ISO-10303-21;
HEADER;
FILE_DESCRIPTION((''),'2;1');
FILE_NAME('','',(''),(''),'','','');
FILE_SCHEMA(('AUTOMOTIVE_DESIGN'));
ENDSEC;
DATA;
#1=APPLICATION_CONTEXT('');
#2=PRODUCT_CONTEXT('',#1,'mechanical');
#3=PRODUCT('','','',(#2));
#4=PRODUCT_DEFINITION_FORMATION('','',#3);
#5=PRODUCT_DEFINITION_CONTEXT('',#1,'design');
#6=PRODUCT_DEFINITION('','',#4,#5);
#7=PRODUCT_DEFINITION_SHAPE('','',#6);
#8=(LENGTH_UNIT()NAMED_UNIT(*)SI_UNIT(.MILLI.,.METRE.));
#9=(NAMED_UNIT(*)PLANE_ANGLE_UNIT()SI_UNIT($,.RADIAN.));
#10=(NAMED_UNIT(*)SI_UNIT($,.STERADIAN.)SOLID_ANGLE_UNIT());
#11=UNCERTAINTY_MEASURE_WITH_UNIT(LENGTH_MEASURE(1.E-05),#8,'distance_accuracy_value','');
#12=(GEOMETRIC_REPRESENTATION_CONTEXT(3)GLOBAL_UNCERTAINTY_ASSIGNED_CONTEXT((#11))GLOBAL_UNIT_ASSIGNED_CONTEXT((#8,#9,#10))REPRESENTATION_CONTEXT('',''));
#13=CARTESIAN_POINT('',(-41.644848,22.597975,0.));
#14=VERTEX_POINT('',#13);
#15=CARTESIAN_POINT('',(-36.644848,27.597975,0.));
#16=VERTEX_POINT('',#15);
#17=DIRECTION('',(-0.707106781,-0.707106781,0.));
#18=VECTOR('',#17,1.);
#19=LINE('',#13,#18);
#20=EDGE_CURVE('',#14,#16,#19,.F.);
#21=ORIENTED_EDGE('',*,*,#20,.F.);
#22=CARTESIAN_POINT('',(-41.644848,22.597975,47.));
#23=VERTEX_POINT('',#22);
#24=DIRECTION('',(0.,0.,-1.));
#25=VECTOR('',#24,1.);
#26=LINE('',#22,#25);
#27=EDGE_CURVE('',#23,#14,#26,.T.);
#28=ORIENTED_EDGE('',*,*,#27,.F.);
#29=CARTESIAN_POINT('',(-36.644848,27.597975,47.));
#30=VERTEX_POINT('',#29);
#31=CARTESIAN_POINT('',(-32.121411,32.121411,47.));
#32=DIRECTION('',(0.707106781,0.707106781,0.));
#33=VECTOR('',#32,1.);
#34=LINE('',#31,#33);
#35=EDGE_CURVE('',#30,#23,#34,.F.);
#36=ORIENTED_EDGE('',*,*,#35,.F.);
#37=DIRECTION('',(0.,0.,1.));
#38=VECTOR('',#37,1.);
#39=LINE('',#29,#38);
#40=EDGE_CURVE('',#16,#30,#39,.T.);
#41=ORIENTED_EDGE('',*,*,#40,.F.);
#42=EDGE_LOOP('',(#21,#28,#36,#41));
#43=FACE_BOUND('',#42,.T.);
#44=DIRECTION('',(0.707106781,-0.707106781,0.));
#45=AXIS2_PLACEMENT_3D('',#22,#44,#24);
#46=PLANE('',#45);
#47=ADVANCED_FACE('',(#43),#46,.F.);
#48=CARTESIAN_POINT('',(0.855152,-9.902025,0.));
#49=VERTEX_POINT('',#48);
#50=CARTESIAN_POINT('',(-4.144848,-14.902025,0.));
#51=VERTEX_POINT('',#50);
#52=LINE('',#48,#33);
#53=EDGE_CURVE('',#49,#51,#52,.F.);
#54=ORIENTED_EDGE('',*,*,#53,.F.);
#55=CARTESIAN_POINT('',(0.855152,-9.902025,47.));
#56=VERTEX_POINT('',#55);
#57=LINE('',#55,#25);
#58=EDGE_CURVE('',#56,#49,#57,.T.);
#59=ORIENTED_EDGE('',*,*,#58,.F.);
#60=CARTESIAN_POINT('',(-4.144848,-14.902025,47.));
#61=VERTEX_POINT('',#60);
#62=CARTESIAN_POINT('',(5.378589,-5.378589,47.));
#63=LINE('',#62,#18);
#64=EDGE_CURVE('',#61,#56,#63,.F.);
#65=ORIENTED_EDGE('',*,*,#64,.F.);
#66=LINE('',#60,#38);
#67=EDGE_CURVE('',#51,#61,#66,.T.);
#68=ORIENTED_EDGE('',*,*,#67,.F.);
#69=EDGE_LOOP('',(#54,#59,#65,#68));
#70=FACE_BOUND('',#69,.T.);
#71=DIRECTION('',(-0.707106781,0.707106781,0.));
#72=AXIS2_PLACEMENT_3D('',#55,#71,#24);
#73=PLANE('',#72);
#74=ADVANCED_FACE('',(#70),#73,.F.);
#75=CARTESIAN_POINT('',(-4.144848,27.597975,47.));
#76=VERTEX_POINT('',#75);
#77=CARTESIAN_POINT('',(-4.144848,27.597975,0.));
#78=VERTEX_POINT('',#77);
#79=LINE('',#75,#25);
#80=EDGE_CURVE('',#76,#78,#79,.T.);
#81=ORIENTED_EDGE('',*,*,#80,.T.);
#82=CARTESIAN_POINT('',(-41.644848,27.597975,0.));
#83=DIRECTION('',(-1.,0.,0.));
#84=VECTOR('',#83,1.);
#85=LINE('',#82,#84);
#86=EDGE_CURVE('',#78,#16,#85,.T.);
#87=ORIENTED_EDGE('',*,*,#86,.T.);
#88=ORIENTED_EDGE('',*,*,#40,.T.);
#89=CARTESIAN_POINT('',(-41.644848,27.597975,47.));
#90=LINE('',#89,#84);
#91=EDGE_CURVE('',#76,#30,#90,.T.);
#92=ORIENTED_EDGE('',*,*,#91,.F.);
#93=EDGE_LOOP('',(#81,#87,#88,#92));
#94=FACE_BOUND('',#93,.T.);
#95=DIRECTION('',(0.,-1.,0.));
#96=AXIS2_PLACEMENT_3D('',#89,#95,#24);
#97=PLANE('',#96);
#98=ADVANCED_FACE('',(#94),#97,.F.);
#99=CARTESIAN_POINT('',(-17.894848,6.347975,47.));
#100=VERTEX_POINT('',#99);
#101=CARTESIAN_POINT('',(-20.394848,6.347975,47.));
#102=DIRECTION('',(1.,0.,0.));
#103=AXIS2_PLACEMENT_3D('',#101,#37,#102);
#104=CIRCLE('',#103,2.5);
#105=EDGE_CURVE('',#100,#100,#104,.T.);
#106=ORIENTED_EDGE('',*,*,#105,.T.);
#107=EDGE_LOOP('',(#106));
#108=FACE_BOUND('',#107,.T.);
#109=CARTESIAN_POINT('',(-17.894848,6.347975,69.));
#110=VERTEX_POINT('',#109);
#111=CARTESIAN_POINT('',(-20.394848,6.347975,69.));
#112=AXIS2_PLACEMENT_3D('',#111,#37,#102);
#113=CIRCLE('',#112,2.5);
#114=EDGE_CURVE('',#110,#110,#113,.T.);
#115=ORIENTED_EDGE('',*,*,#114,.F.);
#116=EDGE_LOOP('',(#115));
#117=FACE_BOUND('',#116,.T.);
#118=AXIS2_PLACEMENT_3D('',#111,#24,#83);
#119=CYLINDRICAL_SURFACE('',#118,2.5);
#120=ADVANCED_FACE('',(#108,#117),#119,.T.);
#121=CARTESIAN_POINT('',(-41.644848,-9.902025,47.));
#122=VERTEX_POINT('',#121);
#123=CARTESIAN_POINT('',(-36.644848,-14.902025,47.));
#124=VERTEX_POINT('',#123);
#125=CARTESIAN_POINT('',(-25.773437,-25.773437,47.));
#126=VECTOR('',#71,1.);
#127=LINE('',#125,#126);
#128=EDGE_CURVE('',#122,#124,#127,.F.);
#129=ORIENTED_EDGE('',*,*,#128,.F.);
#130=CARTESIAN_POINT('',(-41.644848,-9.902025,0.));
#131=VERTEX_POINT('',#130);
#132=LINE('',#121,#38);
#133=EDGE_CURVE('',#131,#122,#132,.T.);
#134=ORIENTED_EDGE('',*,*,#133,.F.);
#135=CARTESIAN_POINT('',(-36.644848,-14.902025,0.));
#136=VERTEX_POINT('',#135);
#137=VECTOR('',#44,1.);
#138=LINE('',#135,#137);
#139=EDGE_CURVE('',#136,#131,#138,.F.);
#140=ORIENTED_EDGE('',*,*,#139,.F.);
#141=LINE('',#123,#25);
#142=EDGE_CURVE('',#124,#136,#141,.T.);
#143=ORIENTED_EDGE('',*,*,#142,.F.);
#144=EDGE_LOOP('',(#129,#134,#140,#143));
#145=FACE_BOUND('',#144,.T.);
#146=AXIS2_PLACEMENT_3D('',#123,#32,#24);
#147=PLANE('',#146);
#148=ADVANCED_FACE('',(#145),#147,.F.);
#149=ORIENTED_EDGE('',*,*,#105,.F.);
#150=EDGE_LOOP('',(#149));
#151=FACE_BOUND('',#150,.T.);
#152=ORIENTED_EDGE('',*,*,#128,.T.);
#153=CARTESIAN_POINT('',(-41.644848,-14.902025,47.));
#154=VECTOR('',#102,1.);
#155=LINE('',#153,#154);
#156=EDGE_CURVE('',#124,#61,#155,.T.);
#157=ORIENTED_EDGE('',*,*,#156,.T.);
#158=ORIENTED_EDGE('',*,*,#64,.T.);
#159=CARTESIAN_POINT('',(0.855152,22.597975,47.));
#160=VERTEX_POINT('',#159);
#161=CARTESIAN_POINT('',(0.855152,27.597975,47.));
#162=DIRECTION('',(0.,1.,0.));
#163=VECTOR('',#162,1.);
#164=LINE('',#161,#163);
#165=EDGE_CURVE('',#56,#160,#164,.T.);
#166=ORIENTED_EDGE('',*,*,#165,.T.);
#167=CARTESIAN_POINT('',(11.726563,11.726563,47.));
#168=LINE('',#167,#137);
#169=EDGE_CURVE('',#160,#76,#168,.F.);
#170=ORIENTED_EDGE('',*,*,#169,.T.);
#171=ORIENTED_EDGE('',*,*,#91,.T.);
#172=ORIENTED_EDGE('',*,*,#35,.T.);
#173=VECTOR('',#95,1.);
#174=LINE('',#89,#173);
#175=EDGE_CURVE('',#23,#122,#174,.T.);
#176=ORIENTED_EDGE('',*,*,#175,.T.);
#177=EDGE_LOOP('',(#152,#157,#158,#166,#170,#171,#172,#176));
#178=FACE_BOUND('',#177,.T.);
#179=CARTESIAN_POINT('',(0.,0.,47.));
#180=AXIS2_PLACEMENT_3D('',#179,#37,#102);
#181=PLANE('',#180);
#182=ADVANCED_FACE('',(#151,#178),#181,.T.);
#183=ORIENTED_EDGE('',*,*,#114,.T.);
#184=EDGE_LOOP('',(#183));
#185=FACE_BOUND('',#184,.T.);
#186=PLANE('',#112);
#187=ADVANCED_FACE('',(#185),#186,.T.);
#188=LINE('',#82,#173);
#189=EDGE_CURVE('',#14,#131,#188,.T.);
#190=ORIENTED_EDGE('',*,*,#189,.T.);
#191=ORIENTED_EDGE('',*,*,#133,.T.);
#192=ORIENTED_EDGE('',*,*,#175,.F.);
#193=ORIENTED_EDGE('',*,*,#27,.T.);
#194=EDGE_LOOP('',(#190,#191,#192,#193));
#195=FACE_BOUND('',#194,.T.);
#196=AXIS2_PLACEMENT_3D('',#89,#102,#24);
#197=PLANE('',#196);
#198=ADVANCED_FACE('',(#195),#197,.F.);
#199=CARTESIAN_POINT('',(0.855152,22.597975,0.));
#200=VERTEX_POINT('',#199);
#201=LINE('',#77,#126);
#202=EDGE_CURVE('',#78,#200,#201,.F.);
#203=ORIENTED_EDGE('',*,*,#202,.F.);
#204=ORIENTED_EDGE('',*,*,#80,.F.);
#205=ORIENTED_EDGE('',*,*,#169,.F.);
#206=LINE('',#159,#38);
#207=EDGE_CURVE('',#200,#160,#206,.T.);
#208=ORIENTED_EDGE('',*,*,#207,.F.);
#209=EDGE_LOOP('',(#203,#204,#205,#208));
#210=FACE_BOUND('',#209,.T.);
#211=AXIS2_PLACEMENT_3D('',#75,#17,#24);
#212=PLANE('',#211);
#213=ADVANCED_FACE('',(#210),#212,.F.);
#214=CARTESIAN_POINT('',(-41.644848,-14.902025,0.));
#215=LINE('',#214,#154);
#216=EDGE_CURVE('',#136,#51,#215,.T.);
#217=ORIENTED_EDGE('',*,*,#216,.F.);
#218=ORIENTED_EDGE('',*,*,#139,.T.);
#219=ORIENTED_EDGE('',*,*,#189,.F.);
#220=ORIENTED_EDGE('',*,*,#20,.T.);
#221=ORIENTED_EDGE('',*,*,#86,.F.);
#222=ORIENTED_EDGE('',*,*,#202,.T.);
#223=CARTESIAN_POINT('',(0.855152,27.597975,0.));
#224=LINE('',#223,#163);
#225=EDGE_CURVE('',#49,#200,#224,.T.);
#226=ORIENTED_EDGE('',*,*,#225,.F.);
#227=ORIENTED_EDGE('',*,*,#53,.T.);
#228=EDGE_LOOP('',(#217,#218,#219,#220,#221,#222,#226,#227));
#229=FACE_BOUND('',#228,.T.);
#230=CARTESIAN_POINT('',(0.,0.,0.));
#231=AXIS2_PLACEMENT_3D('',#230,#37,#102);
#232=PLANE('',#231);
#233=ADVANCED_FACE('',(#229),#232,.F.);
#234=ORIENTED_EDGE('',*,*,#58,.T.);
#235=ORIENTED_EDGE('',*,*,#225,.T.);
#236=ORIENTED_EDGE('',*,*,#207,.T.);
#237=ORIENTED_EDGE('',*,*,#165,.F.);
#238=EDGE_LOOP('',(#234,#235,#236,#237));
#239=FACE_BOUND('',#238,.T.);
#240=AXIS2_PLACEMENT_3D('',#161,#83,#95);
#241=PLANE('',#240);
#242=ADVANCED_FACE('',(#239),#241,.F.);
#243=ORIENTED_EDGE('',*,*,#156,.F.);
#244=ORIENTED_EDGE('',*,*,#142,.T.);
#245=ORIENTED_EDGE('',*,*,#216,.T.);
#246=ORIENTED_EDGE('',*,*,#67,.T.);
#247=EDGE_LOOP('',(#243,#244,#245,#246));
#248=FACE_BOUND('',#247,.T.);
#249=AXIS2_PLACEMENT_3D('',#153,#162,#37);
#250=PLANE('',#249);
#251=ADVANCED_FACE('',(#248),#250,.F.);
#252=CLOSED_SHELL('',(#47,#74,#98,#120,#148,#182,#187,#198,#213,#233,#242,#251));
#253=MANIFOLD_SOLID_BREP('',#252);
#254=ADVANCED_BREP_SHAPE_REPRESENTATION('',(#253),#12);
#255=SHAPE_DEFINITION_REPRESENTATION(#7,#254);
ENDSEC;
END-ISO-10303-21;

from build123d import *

# Parameters (mm, degrees)
SKETCH1_W           = 42.5
SKETCH1_H           = 42.5
BOSS_EXTRUDE1_DEPTH = 47
CHAMFER1_SIZE       = 5
SKETCH2_R           = 2.5
BOSS_EXTRUDE2_DEPTH = 22


with BuildPart() as part:
    # Sketch1 → Boss-Extrude1 (new body)
    with BuildSketch(Plane.XY):
        with Locations((-20.394847779, 6.347974521)):
            Rectangle(SKETCH1_W, SKETCH1_H)
    extrude(amount=BOSS_EXTRUDE1_DEPTH)

    # Chamfer1
    chamfer1_edges = [part.edges().sort_by_distance(p)[0] for p in [
        (-41.644847779, 27.597974521, 23.5),
        (0.855152221, 27.597974521, 23.5),
        (0.855152221, -14.902025479, 23.5),
        (-41.644847779, -14.902025479, 23.5),
    ]]
    chamfer(chamfer1_edges, length=CHAMFER1_SIZE)

    # Sketch2 → Boss-Extrude2 (add)
    with BuildSketch(Plane.XY.offset(47)):
        with Locations((-20.394847779, 6.347974521)):
            Circle(SKETCH2_R)
    extrude(amount=BOSS_EXTRUDE2_DEPTH)


solid = part.part
